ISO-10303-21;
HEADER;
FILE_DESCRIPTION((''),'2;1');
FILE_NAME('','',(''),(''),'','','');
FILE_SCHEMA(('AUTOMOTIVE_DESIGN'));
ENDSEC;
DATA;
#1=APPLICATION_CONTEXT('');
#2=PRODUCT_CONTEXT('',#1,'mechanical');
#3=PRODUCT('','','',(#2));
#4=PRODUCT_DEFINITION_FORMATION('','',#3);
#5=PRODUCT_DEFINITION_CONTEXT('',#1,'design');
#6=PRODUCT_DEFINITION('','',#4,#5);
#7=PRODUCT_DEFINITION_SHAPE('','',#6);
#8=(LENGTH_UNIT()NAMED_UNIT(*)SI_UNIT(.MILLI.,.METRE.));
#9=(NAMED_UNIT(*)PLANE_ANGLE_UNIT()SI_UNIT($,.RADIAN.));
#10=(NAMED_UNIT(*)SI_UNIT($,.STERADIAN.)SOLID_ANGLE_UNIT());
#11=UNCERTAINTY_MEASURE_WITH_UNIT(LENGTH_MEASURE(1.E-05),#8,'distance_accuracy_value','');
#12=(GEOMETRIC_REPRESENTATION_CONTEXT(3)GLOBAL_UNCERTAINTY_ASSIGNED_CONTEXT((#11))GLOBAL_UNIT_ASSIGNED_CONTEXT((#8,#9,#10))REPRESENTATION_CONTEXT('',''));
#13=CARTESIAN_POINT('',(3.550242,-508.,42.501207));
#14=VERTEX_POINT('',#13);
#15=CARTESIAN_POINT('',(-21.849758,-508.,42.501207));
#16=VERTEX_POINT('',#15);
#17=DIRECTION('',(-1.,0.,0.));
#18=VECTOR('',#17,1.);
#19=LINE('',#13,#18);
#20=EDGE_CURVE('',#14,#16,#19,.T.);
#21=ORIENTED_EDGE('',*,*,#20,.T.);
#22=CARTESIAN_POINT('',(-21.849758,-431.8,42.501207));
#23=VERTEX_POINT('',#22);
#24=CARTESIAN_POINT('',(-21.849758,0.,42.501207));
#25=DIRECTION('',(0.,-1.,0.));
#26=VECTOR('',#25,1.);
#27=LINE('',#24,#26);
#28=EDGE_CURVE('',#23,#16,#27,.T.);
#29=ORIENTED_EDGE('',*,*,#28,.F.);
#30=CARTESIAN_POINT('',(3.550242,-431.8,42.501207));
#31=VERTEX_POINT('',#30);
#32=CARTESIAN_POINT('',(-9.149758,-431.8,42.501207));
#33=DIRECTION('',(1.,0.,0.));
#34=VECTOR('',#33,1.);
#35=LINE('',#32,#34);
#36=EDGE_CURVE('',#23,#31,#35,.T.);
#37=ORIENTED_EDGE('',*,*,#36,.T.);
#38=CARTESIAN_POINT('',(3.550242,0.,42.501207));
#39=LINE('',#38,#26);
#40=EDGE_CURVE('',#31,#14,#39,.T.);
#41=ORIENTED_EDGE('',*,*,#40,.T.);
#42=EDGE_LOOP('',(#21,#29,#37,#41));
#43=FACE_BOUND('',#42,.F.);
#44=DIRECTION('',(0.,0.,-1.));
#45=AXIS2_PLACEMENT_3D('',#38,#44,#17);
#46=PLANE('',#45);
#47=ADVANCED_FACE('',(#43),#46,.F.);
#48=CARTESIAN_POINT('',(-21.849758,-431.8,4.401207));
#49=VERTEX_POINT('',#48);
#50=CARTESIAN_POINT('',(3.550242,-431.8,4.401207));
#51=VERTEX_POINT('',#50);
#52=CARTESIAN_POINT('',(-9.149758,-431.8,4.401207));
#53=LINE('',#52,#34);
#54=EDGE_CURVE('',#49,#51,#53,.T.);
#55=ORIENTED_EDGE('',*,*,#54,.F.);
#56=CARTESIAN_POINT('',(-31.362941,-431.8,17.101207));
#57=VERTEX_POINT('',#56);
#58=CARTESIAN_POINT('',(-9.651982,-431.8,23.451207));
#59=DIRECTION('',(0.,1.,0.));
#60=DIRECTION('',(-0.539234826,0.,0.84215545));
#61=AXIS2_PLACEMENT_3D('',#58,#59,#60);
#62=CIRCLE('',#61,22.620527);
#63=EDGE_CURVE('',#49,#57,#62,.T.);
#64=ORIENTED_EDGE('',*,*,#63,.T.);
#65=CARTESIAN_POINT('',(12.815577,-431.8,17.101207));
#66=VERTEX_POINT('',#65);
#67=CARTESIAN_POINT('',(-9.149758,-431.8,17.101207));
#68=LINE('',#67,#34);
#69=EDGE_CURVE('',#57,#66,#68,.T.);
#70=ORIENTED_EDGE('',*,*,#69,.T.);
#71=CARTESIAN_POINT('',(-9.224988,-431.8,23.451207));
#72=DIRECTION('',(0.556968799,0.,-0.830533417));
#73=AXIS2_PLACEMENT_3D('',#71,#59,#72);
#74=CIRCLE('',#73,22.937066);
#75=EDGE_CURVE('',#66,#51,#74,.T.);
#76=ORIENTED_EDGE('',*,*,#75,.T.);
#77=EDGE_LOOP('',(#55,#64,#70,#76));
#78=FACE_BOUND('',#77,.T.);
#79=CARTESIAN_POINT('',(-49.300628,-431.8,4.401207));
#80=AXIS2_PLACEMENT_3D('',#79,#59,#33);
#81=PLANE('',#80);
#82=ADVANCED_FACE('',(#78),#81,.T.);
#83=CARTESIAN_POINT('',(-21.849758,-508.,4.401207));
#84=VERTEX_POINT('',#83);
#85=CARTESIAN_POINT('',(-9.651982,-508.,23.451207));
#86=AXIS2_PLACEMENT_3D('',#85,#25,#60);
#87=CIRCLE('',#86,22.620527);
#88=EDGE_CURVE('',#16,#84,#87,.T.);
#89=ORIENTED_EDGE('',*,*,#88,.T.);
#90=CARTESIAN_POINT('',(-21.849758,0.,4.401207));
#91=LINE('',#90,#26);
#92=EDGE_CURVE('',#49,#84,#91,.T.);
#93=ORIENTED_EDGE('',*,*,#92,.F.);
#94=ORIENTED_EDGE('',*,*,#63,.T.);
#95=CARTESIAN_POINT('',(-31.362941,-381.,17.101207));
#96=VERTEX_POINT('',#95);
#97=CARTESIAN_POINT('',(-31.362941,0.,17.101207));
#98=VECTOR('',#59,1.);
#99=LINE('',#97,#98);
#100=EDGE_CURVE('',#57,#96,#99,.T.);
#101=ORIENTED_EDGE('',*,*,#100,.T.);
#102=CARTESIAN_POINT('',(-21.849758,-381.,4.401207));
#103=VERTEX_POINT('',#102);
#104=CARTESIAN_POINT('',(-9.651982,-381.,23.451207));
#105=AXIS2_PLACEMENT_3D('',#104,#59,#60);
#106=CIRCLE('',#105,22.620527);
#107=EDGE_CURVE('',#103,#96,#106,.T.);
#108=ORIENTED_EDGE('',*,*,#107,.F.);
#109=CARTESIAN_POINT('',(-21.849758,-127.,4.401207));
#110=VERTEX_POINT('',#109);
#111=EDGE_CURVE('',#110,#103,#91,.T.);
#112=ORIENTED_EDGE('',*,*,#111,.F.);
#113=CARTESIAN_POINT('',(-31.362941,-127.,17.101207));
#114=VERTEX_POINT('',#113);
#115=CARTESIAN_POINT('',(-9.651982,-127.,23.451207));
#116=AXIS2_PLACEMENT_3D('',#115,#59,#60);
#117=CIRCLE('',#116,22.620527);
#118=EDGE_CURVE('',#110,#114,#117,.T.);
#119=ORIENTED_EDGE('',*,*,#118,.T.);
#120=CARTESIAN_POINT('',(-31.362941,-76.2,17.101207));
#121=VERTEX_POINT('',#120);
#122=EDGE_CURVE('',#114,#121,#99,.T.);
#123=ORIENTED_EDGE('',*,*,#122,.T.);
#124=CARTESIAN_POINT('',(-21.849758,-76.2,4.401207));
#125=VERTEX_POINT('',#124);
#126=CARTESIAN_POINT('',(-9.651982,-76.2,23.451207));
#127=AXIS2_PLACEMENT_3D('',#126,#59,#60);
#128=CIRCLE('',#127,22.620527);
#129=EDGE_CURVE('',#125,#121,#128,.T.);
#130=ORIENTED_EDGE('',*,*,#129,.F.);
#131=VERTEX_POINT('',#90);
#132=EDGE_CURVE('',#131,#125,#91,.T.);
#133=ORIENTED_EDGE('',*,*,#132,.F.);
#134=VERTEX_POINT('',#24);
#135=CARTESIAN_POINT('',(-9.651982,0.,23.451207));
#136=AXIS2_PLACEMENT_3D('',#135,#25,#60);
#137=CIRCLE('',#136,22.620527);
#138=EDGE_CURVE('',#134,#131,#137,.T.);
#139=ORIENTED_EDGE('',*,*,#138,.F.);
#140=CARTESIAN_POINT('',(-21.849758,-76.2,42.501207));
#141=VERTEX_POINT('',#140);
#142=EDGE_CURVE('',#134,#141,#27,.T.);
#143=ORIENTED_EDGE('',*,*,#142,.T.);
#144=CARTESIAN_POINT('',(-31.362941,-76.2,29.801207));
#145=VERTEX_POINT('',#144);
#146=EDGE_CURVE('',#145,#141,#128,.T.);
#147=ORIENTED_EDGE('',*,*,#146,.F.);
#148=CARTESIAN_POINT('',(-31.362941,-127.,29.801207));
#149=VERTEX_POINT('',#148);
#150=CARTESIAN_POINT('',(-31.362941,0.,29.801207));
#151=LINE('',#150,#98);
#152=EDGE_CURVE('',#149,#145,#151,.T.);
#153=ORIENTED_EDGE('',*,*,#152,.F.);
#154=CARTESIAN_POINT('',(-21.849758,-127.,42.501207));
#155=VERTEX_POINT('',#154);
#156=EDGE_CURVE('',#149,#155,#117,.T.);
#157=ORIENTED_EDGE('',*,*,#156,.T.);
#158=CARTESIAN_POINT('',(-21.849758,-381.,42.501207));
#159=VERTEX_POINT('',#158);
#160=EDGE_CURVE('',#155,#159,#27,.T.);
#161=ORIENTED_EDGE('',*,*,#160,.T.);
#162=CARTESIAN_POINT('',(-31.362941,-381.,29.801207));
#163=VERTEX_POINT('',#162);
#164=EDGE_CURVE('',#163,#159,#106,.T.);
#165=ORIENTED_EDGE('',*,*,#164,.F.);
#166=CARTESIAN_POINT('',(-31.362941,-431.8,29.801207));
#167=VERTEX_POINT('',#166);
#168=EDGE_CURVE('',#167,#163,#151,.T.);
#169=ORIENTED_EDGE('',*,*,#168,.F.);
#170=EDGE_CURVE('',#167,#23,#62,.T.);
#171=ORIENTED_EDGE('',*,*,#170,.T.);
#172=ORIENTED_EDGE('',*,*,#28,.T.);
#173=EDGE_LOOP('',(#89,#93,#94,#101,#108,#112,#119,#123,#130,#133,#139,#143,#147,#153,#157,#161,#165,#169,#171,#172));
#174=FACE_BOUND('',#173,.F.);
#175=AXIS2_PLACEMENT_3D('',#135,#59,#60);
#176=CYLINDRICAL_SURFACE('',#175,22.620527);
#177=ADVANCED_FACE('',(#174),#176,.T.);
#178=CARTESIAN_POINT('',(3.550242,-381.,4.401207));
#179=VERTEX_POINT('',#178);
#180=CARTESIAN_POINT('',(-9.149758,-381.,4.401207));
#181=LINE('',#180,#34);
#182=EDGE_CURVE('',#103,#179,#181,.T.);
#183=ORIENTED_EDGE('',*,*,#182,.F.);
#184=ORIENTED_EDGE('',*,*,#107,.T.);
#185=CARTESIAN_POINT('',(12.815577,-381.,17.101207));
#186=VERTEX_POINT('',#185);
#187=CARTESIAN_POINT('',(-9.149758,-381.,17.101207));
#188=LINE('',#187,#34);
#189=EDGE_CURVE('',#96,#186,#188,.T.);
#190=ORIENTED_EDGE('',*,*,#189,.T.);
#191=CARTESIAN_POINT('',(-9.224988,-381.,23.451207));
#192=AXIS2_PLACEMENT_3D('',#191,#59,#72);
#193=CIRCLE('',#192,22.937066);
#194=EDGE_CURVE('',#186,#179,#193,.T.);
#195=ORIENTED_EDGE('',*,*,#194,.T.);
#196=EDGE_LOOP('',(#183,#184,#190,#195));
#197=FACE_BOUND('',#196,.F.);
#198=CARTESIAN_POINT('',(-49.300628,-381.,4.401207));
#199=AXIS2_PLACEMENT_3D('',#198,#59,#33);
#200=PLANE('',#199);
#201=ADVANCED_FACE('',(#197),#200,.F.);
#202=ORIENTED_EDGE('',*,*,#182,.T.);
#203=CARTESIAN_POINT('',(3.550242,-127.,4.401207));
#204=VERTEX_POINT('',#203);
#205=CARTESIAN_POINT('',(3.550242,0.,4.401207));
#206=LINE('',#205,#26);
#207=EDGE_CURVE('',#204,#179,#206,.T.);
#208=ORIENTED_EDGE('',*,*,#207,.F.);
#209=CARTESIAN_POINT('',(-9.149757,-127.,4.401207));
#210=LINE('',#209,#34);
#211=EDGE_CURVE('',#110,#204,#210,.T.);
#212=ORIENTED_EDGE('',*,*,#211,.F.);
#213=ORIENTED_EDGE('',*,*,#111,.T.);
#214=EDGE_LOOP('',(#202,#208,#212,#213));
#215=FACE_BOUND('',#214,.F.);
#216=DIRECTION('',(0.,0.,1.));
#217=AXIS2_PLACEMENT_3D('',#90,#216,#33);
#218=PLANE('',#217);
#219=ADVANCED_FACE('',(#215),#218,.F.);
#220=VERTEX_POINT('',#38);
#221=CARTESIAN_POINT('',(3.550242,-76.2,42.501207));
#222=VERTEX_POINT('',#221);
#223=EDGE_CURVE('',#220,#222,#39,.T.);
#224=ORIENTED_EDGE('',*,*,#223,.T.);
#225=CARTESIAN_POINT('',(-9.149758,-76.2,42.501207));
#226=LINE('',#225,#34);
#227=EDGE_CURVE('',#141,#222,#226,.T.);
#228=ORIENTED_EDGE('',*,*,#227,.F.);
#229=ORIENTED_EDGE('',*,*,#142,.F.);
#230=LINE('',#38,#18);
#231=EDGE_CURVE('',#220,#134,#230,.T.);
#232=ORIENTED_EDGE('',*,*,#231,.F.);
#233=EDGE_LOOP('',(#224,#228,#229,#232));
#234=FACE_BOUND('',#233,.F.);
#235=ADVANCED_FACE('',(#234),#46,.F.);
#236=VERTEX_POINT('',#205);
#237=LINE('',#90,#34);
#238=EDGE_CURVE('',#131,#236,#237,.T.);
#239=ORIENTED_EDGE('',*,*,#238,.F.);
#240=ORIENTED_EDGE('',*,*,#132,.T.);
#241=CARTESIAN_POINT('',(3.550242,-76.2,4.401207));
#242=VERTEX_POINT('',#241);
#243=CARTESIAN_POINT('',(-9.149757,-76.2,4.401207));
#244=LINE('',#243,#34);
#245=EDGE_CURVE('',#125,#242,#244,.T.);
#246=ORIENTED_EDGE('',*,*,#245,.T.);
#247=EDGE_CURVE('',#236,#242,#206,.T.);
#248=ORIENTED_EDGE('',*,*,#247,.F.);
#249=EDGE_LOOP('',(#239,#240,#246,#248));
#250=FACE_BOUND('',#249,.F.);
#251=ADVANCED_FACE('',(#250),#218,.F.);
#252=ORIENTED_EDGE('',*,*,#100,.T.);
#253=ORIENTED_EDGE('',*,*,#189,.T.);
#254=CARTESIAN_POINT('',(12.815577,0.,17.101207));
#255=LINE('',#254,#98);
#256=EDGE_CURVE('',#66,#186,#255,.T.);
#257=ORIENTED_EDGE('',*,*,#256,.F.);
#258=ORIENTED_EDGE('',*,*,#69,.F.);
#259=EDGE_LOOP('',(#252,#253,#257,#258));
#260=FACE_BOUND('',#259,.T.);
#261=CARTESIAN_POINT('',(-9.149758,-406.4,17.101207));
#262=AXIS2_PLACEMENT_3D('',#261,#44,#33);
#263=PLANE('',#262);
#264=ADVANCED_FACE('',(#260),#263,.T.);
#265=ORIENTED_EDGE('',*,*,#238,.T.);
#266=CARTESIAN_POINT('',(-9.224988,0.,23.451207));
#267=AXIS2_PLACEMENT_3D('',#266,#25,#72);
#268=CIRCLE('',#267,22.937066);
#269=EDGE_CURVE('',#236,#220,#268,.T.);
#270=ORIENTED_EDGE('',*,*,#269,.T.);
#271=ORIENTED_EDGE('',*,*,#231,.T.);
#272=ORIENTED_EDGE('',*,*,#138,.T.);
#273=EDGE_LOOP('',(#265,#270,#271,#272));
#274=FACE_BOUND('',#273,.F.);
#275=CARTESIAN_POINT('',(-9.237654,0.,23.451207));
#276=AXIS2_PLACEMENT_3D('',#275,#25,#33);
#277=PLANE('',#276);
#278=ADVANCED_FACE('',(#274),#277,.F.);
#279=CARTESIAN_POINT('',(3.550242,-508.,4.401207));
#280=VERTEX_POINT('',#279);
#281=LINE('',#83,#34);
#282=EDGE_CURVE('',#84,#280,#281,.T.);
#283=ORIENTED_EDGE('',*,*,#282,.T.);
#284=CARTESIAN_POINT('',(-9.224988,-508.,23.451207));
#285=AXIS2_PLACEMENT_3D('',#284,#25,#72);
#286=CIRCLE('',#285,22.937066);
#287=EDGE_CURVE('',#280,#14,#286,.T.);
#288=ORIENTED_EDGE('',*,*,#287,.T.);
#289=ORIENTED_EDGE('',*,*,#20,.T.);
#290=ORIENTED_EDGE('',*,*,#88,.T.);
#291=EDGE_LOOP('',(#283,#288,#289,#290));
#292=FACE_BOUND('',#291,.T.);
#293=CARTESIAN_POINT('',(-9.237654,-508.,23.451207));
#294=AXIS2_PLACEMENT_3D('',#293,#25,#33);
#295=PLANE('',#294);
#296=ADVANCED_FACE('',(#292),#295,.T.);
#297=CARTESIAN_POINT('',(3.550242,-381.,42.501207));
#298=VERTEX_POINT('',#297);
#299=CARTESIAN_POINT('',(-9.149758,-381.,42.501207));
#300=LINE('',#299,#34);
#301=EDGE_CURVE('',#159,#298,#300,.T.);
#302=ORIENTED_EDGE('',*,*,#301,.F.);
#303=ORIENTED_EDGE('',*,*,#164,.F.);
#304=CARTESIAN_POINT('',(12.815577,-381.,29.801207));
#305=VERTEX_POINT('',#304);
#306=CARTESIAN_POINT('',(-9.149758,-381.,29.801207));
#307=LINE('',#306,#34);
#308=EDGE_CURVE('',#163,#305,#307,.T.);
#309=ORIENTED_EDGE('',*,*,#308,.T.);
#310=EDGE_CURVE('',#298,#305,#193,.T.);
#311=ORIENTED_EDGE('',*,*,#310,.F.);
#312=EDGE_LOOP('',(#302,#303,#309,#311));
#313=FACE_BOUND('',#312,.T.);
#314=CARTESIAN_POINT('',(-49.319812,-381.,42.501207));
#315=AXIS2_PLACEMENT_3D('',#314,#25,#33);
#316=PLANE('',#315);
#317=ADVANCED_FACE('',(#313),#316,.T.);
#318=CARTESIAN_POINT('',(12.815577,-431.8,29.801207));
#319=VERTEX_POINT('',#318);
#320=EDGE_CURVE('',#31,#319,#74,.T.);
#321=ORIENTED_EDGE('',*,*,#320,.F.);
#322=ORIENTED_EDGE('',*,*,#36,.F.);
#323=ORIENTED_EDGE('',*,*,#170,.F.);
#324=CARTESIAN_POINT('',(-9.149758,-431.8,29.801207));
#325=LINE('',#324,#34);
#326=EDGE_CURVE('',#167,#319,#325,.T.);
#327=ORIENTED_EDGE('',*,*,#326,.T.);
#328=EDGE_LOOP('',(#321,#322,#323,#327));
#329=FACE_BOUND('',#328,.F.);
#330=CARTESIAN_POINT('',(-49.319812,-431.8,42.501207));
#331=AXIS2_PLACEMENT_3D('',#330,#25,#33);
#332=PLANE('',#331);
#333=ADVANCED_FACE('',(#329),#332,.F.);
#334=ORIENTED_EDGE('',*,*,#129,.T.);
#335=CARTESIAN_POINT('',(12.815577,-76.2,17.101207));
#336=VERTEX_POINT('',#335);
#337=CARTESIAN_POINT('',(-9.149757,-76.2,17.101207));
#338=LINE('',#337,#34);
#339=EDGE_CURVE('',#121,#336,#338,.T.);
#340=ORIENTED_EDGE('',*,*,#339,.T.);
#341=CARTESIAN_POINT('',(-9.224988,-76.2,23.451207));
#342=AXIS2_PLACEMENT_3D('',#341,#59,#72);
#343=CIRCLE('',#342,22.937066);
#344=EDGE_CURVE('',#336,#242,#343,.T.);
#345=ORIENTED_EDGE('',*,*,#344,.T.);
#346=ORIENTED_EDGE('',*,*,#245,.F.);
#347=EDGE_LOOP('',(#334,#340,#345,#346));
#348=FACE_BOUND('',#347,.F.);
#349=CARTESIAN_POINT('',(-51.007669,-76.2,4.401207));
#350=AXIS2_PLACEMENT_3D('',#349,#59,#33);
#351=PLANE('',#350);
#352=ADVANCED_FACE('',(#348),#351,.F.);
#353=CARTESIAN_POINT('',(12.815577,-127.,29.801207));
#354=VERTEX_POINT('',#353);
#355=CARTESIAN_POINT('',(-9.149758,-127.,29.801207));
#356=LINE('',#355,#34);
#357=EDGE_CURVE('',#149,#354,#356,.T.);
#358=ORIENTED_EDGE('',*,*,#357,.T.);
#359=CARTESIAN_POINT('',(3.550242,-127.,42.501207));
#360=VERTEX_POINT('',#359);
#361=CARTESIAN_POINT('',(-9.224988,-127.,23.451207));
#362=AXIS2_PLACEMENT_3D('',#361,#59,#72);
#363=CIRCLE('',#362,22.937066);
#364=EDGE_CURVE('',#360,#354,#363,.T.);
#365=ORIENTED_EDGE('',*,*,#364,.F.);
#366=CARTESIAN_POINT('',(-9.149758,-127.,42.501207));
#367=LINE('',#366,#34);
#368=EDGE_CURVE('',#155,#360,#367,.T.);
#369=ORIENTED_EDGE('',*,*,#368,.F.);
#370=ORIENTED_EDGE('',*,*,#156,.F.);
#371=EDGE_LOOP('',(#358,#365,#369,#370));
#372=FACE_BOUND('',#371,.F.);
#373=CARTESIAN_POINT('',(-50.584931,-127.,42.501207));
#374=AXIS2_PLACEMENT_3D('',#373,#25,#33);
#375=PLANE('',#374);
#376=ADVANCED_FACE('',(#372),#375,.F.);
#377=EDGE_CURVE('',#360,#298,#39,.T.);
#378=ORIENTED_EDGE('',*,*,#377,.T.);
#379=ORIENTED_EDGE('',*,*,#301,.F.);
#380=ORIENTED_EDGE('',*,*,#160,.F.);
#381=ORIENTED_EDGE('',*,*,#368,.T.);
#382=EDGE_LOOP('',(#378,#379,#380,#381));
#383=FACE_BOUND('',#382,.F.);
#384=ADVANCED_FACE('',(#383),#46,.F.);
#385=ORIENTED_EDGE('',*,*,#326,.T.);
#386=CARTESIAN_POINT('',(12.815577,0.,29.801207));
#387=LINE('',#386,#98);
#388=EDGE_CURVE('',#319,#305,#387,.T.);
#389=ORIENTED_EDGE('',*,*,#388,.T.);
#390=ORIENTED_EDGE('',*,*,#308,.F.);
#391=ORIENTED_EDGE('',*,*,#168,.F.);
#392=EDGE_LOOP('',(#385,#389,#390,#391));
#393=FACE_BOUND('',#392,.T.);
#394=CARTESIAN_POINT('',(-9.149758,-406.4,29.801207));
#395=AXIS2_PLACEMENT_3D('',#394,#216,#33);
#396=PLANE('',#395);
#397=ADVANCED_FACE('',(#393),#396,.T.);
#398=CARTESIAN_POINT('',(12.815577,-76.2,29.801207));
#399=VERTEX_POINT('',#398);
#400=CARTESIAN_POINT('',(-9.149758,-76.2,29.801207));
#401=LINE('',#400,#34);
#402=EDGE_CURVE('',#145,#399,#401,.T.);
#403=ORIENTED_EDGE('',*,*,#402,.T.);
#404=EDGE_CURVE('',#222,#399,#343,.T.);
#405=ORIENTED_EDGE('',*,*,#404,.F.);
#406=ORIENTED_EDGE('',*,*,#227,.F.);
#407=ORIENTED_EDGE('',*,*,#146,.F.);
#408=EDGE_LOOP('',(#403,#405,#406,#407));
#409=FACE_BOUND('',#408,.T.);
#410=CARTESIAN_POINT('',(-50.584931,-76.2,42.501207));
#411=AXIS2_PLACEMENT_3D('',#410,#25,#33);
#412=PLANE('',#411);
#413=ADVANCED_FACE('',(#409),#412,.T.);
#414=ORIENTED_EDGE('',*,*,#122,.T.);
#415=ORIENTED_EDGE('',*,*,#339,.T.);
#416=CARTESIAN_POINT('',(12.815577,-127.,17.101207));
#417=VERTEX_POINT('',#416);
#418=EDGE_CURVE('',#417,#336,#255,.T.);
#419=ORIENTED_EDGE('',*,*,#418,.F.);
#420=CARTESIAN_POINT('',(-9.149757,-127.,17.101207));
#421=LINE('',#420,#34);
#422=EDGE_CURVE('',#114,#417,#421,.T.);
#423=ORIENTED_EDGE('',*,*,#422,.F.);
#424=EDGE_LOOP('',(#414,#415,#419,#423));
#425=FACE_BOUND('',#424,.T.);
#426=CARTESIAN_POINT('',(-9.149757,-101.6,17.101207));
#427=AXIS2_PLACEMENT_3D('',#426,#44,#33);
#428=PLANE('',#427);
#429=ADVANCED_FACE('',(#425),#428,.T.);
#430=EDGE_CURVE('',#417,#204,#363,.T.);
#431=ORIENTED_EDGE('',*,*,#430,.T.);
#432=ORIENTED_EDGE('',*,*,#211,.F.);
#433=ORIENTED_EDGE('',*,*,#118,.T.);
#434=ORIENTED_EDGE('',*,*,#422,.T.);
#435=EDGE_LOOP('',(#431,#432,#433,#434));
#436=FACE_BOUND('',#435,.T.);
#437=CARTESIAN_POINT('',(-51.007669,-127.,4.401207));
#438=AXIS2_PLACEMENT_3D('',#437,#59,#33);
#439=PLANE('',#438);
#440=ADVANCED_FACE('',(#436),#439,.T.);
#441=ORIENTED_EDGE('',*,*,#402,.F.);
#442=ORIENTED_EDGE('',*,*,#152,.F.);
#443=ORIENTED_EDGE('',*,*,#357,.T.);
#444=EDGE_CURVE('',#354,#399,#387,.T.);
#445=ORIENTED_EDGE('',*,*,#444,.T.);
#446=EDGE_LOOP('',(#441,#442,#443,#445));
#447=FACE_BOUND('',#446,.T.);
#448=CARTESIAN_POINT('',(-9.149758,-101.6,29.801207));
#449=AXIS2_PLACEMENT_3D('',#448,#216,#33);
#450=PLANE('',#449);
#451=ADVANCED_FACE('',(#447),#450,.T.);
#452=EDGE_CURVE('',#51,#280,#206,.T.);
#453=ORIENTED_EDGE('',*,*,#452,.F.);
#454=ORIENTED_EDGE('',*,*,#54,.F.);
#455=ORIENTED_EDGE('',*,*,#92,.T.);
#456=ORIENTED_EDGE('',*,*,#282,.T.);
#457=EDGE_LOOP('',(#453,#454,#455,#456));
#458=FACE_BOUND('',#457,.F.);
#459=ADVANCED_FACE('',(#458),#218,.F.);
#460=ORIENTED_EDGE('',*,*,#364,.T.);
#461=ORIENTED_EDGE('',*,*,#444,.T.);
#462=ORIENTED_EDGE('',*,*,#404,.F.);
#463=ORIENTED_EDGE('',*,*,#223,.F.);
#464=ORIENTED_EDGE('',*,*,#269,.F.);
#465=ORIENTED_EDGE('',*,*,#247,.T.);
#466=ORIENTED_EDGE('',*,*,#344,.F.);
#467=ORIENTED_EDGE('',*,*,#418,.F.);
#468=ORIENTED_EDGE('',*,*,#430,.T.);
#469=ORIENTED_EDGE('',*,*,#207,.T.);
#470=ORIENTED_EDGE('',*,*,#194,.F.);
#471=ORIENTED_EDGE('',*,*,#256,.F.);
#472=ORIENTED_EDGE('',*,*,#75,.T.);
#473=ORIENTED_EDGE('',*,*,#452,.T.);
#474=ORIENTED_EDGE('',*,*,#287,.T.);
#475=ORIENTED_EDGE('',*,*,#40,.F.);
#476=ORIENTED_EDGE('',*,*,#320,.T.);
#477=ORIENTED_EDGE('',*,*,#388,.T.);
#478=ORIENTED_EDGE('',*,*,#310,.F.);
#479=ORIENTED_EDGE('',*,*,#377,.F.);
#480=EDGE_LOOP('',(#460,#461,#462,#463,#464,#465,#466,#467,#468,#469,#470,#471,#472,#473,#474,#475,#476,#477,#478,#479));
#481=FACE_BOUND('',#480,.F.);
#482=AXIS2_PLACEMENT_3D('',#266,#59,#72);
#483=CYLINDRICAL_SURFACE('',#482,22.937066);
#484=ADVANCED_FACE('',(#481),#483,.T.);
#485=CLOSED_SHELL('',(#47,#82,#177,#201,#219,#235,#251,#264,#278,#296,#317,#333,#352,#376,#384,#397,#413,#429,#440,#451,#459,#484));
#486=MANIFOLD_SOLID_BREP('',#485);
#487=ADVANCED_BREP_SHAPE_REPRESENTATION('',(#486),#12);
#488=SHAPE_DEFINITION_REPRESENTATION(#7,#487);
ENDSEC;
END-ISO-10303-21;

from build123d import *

# Parameters (mm, degrees)
F1_DEPTH = 508
F2_W     = 80.340108
F2_H     = 50.8
F2_W_2   = 82.870346
F3_DEPTH = 12.7
F4_W     = 83.715823
F4_H     = 50.8
F4_W_2   = 80.30174
F5_DEPTH = 12.7


with BuildPart() as f1:
    # F0 (on Front) → F1 (new body)
    with BuildSketch(Plane.XZ):
        with BuildLine():
            Line((3.550242, 42.501207), (-21.849758, 42.501207))
            ThreePointArc((-21.849758, 42.501207), (-32.272509, 23.451207), (-21.849758, 4.401207))
            Line((-21.849758, 4.401207), (3.550242, 4.401207))
            ThreePointArc((3.550242, 4.401207), (13.712078, 23.451207), (3.550242, 42.501207))
        make_face()
    extrude(amount=F1_DEPTH)

    # F2 (on face) → F3 (cut)
    with BuildSketch(Plane.XY.offset(42.501207)):
        with Locations((-9.149758, -406.4)):
            Rectangle(F2_W, F2_H)
        with Locations((-9.149758, -101.6)):
            Rectangle(F2_W_2, F2_H)
    extrude(amount=-F3_DEPTH, mode=Mode.SUBTRACT)

    # F4 (on face) → F5 (cut)
    with BuildSketch(Plane(origin=(0, 0, 4.401207), x_dir=(1, 0, 0), z_dir=(0, 0, -1))):
        with Locations((-9.149757, 101.6)):
            Rectangle(F4_W, F4_H)
        with Locations((-9.149758, 406.4)):
            Rectangle(F4_W_2, F4_H)
    extrude(amount=-F5_DEPTH, mode=Mode.SUBTRACT)


solid = f1.part
